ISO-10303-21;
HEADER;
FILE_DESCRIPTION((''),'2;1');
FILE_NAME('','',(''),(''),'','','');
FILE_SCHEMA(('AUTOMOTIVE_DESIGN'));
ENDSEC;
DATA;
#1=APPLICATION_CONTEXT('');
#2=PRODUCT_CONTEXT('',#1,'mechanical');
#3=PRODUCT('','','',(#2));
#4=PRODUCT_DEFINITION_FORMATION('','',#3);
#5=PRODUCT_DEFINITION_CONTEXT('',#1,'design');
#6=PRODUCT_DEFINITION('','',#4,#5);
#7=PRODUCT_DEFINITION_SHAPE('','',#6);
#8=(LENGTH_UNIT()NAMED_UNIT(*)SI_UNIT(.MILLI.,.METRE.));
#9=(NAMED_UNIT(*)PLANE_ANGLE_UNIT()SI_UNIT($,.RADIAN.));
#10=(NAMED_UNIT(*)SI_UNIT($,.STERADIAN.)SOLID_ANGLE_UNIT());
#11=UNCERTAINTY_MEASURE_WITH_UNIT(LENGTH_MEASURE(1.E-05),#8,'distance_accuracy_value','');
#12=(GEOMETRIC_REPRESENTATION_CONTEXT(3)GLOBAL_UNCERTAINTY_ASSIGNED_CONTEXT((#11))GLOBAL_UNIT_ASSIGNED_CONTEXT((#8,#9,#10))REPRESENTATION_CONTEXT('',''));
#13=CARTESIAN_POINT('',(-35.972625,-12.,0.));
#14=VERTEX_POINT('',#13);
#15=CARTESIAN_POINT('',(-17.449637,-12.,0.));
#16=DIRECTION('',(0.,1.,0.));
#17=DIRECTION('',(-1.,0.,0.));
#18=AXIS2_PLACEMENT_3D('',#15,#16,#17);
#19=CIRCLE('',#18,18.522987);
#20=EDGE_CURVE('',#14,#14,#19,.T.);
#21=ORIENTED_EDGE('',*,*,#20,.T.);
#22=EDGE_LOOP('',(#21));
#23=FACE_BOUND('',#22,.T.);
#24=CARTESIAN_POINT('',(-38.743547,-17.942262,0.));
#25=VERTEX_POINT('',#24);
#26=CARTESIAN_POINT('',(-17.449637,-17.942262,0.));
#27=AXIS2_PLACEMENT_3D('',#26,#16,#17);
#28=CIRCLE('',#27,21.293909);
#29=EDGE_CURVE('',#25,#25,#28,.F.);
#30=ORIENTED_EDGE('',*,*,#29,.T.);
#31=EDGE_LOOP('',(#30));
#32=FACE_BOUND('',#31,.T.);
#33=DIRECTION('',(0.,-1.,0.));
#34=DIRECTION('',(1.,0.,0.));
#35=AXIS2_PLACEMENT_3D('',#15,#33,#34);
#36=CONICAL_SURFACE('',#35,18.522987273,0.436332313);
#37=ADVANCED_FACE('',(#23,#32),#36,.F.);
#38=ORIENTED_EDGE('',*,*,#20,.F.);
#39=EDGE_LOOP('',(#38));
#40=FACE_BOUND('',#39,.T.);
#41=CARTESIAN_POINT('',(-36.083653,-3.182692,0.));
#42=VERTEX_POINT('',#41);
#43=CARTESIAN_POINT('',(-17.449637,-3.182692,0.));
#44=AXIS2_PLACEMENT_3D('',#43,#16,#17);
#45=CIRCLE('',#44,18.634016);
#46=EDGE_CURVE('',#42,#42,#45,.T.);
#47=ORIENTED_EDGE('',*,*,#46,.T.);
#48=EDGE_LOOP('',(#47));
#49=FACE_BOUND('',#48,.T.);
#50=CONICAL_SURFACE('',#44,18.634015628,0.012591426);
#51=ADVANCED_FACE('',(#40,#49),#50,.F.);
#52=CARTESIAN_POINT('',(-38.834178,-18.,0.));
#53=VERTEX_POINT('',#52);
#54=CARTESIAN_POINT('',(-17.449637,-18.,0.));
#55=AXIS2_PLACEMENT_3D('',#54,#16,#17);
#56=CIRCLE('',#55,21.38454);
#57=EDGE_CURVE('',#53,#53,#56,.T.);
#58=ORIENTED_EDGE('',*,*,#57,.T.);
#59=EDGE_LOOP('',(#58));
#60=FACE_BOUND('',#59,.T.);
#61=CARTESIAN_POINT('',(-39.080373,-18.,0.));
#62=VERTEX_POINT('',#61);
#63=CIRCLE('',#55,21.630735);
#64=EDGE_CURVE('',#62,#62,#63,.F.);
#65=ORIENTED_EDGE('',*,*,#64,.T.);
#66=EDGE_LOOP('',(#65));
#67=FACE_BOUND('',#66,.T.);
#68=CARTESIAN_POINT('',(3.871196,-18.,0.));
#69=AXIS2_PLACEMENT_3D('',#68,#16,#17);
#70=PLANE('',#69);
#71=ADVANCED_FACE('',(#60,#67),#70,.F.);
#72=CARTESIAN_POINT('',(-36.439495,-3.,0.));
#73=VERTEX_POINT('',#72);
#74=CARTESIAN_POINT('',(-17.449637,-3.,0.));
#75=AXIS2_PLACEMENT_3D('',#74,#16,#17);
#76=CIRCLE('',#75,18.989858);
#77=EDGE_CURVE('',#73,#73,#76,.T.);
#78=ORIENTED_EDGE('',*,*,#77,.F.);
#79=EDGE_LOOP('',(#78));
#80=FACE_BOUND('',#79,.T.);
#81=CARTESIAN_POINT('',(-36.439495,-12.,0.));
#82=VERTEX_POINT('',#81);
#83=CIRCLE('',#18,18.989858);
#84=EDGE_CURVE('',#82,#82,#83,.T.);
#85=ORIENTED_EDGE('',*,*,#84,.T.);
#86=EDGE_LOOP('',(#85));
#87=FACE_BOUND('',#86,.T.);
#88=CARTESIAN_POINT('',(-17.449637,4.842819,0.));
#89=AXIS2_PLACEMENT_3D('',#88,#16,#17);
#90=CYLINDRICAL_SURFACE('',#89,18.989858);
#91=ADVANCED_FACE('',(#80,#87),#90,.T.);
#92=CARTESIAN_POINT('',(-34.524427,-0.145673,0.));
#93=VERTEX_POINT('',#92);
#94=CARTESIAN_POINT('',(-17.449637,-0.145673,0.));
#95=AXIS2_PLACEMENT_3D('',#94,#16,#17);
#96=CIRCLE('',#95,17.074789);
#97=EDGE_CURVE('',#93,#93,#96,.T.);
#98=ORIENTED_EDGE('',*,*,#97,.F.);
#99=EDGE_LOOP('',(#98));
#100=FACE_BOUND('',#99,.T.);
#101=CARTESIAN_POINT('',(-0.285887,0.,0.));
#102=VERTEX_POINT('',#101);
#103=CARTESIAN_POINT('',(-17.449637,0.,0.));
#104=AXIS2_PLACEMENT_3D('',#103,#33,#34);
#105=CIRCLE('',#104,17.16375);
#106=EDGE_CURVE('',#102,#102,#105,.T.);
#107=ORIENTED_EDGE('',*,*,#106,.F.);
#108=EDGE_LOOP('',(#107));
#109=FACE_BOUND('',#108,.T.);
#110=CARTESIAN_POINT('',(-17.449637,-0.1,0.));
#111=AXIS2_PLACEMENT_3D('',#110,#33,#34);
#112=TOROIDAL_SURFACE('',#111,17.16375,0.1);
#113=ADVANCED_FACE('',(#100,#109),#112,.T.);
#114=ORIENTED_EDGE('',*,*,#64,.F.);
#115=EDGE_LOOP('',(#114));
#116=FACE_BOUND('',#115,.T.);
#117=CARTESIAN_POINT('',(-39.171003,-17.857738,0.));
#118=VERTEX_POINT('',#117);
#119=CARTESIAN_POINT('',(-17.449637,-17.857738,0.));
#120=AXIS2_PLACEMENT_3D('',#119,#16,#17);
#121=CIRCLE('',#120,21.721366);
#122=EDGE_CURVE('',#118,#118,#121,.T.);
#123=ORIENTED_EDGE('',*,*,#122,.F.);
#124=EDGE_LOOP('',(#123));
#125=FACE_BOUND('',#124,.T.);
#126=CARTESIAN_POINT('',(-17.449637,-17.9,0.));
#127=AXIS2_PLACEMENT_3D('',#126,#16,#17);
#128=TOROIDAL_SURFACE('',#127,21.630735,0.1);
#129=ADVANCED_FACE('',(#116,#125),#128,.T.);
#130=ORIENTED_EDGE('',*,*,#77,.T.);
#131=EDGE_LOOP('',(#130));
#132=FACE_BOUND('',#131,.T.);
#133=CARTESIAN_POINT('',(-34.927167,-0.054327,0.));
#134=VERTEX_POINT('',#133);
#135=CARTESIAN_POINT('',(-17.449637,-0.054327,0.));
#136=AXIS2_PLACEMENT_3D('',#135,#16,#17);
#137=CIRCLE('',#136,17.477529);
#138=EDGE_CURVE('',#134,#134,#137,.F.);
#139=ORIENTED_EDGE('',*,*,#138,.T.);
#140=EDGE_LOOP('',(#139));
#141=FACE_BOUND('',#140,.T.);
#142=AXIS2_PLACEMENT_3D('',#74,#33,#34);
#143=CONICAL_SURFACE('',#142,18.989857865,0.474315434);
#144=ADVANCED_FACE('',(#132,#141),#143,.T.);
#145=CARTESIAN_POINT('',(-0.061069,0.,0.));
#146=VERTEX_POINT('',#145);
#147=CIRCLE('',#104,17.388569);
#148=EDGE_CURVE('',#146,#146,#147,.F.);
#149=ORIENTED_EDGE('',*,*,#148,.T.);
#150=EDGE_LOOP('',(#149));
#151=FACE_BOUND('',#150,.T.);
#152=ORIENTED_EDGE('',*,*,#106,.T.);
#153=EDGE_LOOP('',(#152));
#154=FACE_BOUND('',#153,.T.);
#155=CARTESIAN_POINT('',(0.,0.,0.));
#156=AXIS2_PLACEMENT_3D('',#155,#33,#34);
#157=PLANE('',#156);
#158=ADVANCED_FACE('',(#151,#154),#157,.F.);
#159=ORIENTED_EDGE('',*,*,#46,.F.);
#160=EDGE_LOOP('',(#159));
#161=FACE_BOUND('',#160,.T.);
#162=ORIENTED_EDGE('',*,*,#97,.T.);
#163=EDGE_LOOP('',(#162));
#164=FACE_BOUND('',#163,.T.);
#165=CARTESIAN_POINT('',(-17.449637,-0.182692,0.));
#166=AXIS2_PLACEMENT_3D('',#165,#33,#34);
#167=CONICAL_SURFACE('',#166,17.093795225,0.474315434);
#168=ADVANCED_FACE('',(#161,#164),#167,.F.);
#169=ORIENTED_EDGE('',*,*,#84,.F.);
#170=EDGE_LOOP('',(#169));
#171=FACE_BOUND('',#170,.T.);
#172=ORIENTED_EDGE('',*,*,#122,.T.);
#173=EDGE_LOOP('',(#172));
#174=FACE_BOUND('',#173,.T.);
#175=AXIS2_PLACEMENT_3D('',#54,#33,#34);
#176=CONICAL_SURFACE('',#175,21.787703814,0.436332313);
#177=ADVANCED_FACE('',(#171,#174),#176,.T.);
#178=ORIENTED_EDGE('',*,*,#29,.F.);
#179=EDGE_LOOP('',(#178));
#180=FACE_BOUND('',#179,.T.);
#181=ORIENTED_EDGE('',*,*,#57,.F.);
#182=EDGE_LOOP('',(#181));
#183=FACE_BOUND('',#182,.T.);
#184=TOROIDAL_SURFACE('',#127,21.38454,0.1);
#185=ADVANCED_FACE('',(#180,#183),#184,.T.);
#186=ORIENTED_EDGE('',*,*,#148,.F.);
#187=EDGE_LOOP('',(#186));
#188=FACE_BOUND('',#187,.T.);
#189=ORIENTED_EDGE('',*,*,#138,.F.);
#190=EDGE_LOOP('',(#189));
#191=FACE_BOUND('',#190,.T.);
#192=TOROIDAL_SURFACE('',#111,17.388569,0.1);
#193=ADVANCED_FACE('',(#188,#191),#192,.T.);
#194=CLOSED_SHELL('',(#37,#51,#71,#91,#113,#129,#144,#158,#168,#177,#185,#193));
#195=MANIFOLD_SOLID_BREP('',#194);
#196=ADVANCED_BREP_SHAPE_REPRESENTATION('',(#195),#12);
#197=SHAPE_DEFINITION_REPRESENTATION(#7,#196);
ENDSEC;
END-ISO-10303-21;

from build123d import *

# Parameters (mm, degrees)
ZAOBLIT1_R = 0.1


with BuildPart() as part:
    # Skica1 → Rotovat1 (revolve)
    with BuildSketch(Plane.XY):
        Polygon((0, 0), (1.540220403, -3), (1.540220403, -12), (4.338066352, -18), (3.87119576, -18), (1.073349812, -12), (1.184378167, -3.182691824), (-0.355842237, -0.182691824), (-0.449637462, 0), align=None)
    revolve(axis=Axis((-17.449637462, 4.842819408, 0), (0, -1, 0)))

    # Zaoblit1
    zaoblit1_edges = [part.edges().sort_by_distance(p)[0] for p in [
        (-34.449637462, 0, 0),
        (-34.899274923, 0, 0),
        (-39.237341275, -18, 0),
        (-38.770470684, -18, 0),
    ]]
    fillet(zaoblit1_edges, radius=ZAOBLIT1_R)


solid = part.part
